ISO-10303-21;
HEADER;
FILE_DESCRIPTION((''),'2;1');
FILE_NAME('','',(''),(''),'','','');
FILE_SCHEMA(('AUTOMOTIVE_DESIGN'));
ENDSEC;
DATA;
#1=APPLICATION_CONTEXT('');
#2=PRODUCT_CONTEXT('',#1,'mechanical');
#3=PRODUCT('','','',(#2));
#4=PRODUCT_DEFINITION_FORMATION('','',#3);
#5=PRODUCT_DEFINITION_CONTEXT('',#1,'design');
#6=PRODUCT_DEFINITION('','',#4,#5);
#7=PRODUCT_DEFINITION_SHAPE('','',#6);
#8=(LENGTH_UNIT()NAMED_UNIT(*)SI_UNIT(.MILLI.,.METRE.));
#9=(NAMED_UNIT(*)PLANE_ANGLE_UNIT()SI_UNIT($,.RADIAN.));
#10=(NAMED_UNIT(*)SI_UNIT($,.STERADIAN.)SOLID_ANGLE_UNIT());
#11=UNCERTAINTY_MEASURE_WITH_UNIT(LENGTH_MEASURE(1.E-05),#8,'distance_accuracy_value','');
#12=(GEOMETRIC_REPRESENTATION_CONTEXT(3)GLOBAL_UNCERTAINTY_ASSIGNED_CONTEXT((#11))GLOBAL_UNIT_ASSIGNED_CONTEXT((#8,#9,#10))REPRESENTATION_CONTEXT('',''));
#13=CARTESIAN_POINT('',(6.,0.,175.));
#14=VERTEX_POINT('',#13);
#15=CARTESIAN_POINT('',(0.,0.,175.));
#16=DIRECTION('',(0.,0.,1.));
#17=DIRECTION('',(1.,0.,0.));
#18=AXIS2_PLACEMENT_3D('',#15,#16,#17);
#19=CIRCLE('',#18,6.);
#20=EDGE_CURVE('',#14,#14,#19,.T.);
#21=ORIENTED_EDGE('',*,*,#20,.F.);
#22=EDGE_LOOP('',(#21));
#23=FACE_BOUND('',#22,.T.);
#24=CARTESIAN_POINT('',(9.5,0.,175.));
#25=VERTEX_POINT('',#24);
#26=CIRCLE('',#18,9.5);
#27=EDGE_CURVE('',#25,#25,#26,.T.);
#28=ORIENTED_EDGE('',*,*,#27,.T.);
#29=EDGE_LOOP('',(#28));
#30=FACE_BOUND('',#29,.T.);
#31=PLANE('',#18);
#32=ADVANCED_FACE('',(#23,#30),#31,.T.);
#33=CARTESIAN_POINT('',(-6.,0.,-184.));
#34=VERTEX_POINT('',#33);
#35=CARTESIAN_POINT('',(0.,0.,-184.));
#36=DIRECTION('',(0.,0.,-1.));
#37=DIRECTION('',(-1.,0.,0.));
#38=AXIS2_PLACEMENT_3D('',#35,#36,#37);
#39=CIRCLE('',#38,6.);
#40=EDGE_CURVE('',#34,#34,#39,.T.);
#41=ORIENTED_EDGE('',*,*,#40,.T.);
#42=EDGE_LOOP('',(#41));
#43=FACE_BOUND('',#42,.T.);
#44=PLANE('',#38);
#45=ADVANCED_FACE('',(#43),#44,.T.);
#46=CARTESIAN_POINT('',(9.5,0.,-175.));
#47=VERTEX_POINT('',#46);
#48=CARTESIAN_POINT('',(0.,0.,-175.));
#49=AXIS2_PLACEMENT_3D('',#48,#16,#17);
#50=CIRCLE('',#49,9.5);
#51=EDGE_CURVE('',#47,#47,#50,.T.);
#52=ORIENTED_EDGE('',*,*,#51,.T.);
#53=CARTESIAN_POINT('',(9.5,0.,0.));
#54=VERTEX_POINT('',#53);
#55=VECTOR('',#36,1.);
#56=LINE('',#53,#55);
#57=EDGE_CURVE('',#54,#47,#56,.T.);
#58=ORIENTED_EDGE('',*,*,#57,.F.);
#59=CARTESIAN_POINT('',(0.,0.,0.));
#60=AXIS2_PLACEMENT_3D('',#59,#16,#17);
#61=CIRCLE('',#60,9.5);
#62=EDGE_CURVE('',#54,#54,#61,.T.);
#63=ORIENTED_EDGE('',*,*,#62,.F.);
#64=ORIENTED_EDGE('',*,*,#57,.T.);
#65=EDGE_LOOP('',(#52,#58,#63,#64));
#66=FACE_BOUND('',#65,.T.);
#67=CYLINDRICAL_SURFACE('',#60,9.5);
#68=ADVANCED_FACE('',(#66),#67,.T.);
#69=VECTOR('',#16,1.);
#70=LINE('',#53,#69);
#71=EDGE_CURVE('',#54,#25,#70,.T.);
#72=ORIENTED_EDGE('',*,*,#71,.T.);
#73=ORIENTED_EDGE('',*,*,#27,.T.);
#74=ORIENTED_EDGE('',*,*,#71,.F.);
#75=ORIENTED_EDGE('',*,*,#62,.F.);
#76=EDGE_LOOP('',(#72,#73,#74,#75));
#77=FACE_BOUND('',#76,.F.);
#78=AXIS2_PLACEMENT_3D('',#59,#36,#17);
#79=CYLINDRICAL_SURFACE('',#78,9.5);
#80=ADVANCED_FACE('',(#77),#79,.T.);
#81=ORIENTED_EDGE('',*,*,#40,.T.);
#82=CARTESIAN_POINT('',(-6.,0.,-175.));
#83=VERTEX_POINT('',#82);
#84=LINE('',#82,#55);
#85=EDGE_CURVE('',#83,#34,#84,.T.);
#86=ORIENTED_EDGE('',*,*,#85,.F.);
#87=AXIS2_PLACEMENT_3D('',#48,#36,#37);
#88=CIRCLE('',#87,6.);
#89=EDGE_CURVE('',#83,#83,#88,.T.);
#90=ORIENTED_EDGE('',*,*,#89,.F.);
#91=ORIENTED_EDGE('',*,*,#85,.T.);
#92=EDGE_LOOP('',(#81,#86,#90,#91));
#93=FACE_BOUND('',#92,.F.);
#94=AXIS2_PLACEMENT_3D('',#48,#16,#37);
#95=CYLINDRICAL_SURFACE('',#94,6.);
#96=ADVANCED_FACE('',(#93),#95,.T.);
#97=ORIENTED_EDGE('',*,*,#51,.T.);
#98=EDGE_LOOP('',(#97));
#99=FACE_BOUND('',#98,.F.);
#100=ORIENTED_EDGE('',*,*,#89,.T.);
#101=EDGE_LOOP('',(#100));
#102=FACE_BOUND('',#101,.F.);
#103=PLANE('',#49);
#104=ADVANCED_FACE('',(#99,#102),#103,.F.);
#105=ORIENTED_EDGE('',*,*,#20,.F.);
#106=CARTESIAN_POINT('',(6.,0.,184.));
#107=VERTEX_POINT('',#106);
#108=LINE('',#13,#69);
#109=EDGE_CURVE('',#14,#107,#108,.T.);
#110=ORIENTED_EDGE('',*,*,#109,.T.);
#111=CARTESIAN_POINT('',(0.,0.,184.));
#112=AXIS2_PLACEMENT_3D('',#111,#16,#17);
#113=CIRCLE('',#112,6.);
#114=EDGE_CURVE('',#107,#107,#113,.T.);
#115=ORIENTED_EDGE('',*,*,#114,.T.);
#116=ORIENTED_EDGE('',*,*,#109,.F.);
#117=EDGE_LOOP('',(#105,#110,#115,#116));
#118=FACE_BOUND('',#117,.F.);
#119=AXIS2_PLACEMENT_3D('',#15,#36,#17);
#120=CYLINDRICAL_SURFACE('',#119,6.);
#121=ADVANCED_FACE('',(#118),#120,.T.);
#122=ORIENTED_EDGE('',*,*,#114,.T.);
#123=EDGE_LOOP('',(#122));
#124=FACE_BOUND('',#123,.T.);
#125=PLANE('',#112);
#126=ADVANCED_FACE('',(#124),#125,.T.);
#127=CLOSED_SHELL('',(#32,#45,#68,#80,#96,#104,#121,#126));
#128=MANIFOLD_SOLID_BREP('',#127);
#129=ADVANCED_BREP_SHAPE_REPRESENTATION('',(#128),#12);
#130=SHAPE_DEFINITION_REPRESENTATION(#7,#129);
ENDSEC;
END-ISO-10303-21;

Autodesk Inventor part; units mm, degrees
ref_plane "YZ Plane" through (0, 0, 0) normal (1, 0, 0) x (0, 1, 0)
ref_plane "XZ Plane" through (0, 0, 0) normal (0, 1, 0) x (-1, 0, 0)
ref_plane "XY Plane" through (0, 0, 0) normal (0, 0, 1) x (1, 0, 0)
sketch "Sketch1" plane through (0, 0, 0) normal (0, 0, 1) x (1, 0, 0)
  circle A0 centre (0, 0) radius 9.5
  dimension "d0" = 19
extrude "Extrusion1" add sketch "Sketch1" along normal mid plane 350
sketch "Sketch2" plane through (0, 0, 175) normal (0, 0, 1) x (1, 0, 0)
  circle A0 centre (0, 0) radius 9.5 projected
  circle A1 centre (0, 0) radius 6
  dimension "d3" = 12
extrude "Extrusion2" add sketch "Sketch2" along normal blind 9 contours A1
sketch "Sketch3" plane through (0, 0, -175) normal (0, 0, -1) x (-1, 0, 0)
  circle A0 centre (0, 0) radius 9.5 projected
  circle A1 centre (0, 0) radius 6
  dimension "d6" = 12
extrude "Extrusion3" add sketch "Sketch3" along normal blind 9 contours A1
properties part number "ADSK-MH-10044" material "Steel, Mild"
